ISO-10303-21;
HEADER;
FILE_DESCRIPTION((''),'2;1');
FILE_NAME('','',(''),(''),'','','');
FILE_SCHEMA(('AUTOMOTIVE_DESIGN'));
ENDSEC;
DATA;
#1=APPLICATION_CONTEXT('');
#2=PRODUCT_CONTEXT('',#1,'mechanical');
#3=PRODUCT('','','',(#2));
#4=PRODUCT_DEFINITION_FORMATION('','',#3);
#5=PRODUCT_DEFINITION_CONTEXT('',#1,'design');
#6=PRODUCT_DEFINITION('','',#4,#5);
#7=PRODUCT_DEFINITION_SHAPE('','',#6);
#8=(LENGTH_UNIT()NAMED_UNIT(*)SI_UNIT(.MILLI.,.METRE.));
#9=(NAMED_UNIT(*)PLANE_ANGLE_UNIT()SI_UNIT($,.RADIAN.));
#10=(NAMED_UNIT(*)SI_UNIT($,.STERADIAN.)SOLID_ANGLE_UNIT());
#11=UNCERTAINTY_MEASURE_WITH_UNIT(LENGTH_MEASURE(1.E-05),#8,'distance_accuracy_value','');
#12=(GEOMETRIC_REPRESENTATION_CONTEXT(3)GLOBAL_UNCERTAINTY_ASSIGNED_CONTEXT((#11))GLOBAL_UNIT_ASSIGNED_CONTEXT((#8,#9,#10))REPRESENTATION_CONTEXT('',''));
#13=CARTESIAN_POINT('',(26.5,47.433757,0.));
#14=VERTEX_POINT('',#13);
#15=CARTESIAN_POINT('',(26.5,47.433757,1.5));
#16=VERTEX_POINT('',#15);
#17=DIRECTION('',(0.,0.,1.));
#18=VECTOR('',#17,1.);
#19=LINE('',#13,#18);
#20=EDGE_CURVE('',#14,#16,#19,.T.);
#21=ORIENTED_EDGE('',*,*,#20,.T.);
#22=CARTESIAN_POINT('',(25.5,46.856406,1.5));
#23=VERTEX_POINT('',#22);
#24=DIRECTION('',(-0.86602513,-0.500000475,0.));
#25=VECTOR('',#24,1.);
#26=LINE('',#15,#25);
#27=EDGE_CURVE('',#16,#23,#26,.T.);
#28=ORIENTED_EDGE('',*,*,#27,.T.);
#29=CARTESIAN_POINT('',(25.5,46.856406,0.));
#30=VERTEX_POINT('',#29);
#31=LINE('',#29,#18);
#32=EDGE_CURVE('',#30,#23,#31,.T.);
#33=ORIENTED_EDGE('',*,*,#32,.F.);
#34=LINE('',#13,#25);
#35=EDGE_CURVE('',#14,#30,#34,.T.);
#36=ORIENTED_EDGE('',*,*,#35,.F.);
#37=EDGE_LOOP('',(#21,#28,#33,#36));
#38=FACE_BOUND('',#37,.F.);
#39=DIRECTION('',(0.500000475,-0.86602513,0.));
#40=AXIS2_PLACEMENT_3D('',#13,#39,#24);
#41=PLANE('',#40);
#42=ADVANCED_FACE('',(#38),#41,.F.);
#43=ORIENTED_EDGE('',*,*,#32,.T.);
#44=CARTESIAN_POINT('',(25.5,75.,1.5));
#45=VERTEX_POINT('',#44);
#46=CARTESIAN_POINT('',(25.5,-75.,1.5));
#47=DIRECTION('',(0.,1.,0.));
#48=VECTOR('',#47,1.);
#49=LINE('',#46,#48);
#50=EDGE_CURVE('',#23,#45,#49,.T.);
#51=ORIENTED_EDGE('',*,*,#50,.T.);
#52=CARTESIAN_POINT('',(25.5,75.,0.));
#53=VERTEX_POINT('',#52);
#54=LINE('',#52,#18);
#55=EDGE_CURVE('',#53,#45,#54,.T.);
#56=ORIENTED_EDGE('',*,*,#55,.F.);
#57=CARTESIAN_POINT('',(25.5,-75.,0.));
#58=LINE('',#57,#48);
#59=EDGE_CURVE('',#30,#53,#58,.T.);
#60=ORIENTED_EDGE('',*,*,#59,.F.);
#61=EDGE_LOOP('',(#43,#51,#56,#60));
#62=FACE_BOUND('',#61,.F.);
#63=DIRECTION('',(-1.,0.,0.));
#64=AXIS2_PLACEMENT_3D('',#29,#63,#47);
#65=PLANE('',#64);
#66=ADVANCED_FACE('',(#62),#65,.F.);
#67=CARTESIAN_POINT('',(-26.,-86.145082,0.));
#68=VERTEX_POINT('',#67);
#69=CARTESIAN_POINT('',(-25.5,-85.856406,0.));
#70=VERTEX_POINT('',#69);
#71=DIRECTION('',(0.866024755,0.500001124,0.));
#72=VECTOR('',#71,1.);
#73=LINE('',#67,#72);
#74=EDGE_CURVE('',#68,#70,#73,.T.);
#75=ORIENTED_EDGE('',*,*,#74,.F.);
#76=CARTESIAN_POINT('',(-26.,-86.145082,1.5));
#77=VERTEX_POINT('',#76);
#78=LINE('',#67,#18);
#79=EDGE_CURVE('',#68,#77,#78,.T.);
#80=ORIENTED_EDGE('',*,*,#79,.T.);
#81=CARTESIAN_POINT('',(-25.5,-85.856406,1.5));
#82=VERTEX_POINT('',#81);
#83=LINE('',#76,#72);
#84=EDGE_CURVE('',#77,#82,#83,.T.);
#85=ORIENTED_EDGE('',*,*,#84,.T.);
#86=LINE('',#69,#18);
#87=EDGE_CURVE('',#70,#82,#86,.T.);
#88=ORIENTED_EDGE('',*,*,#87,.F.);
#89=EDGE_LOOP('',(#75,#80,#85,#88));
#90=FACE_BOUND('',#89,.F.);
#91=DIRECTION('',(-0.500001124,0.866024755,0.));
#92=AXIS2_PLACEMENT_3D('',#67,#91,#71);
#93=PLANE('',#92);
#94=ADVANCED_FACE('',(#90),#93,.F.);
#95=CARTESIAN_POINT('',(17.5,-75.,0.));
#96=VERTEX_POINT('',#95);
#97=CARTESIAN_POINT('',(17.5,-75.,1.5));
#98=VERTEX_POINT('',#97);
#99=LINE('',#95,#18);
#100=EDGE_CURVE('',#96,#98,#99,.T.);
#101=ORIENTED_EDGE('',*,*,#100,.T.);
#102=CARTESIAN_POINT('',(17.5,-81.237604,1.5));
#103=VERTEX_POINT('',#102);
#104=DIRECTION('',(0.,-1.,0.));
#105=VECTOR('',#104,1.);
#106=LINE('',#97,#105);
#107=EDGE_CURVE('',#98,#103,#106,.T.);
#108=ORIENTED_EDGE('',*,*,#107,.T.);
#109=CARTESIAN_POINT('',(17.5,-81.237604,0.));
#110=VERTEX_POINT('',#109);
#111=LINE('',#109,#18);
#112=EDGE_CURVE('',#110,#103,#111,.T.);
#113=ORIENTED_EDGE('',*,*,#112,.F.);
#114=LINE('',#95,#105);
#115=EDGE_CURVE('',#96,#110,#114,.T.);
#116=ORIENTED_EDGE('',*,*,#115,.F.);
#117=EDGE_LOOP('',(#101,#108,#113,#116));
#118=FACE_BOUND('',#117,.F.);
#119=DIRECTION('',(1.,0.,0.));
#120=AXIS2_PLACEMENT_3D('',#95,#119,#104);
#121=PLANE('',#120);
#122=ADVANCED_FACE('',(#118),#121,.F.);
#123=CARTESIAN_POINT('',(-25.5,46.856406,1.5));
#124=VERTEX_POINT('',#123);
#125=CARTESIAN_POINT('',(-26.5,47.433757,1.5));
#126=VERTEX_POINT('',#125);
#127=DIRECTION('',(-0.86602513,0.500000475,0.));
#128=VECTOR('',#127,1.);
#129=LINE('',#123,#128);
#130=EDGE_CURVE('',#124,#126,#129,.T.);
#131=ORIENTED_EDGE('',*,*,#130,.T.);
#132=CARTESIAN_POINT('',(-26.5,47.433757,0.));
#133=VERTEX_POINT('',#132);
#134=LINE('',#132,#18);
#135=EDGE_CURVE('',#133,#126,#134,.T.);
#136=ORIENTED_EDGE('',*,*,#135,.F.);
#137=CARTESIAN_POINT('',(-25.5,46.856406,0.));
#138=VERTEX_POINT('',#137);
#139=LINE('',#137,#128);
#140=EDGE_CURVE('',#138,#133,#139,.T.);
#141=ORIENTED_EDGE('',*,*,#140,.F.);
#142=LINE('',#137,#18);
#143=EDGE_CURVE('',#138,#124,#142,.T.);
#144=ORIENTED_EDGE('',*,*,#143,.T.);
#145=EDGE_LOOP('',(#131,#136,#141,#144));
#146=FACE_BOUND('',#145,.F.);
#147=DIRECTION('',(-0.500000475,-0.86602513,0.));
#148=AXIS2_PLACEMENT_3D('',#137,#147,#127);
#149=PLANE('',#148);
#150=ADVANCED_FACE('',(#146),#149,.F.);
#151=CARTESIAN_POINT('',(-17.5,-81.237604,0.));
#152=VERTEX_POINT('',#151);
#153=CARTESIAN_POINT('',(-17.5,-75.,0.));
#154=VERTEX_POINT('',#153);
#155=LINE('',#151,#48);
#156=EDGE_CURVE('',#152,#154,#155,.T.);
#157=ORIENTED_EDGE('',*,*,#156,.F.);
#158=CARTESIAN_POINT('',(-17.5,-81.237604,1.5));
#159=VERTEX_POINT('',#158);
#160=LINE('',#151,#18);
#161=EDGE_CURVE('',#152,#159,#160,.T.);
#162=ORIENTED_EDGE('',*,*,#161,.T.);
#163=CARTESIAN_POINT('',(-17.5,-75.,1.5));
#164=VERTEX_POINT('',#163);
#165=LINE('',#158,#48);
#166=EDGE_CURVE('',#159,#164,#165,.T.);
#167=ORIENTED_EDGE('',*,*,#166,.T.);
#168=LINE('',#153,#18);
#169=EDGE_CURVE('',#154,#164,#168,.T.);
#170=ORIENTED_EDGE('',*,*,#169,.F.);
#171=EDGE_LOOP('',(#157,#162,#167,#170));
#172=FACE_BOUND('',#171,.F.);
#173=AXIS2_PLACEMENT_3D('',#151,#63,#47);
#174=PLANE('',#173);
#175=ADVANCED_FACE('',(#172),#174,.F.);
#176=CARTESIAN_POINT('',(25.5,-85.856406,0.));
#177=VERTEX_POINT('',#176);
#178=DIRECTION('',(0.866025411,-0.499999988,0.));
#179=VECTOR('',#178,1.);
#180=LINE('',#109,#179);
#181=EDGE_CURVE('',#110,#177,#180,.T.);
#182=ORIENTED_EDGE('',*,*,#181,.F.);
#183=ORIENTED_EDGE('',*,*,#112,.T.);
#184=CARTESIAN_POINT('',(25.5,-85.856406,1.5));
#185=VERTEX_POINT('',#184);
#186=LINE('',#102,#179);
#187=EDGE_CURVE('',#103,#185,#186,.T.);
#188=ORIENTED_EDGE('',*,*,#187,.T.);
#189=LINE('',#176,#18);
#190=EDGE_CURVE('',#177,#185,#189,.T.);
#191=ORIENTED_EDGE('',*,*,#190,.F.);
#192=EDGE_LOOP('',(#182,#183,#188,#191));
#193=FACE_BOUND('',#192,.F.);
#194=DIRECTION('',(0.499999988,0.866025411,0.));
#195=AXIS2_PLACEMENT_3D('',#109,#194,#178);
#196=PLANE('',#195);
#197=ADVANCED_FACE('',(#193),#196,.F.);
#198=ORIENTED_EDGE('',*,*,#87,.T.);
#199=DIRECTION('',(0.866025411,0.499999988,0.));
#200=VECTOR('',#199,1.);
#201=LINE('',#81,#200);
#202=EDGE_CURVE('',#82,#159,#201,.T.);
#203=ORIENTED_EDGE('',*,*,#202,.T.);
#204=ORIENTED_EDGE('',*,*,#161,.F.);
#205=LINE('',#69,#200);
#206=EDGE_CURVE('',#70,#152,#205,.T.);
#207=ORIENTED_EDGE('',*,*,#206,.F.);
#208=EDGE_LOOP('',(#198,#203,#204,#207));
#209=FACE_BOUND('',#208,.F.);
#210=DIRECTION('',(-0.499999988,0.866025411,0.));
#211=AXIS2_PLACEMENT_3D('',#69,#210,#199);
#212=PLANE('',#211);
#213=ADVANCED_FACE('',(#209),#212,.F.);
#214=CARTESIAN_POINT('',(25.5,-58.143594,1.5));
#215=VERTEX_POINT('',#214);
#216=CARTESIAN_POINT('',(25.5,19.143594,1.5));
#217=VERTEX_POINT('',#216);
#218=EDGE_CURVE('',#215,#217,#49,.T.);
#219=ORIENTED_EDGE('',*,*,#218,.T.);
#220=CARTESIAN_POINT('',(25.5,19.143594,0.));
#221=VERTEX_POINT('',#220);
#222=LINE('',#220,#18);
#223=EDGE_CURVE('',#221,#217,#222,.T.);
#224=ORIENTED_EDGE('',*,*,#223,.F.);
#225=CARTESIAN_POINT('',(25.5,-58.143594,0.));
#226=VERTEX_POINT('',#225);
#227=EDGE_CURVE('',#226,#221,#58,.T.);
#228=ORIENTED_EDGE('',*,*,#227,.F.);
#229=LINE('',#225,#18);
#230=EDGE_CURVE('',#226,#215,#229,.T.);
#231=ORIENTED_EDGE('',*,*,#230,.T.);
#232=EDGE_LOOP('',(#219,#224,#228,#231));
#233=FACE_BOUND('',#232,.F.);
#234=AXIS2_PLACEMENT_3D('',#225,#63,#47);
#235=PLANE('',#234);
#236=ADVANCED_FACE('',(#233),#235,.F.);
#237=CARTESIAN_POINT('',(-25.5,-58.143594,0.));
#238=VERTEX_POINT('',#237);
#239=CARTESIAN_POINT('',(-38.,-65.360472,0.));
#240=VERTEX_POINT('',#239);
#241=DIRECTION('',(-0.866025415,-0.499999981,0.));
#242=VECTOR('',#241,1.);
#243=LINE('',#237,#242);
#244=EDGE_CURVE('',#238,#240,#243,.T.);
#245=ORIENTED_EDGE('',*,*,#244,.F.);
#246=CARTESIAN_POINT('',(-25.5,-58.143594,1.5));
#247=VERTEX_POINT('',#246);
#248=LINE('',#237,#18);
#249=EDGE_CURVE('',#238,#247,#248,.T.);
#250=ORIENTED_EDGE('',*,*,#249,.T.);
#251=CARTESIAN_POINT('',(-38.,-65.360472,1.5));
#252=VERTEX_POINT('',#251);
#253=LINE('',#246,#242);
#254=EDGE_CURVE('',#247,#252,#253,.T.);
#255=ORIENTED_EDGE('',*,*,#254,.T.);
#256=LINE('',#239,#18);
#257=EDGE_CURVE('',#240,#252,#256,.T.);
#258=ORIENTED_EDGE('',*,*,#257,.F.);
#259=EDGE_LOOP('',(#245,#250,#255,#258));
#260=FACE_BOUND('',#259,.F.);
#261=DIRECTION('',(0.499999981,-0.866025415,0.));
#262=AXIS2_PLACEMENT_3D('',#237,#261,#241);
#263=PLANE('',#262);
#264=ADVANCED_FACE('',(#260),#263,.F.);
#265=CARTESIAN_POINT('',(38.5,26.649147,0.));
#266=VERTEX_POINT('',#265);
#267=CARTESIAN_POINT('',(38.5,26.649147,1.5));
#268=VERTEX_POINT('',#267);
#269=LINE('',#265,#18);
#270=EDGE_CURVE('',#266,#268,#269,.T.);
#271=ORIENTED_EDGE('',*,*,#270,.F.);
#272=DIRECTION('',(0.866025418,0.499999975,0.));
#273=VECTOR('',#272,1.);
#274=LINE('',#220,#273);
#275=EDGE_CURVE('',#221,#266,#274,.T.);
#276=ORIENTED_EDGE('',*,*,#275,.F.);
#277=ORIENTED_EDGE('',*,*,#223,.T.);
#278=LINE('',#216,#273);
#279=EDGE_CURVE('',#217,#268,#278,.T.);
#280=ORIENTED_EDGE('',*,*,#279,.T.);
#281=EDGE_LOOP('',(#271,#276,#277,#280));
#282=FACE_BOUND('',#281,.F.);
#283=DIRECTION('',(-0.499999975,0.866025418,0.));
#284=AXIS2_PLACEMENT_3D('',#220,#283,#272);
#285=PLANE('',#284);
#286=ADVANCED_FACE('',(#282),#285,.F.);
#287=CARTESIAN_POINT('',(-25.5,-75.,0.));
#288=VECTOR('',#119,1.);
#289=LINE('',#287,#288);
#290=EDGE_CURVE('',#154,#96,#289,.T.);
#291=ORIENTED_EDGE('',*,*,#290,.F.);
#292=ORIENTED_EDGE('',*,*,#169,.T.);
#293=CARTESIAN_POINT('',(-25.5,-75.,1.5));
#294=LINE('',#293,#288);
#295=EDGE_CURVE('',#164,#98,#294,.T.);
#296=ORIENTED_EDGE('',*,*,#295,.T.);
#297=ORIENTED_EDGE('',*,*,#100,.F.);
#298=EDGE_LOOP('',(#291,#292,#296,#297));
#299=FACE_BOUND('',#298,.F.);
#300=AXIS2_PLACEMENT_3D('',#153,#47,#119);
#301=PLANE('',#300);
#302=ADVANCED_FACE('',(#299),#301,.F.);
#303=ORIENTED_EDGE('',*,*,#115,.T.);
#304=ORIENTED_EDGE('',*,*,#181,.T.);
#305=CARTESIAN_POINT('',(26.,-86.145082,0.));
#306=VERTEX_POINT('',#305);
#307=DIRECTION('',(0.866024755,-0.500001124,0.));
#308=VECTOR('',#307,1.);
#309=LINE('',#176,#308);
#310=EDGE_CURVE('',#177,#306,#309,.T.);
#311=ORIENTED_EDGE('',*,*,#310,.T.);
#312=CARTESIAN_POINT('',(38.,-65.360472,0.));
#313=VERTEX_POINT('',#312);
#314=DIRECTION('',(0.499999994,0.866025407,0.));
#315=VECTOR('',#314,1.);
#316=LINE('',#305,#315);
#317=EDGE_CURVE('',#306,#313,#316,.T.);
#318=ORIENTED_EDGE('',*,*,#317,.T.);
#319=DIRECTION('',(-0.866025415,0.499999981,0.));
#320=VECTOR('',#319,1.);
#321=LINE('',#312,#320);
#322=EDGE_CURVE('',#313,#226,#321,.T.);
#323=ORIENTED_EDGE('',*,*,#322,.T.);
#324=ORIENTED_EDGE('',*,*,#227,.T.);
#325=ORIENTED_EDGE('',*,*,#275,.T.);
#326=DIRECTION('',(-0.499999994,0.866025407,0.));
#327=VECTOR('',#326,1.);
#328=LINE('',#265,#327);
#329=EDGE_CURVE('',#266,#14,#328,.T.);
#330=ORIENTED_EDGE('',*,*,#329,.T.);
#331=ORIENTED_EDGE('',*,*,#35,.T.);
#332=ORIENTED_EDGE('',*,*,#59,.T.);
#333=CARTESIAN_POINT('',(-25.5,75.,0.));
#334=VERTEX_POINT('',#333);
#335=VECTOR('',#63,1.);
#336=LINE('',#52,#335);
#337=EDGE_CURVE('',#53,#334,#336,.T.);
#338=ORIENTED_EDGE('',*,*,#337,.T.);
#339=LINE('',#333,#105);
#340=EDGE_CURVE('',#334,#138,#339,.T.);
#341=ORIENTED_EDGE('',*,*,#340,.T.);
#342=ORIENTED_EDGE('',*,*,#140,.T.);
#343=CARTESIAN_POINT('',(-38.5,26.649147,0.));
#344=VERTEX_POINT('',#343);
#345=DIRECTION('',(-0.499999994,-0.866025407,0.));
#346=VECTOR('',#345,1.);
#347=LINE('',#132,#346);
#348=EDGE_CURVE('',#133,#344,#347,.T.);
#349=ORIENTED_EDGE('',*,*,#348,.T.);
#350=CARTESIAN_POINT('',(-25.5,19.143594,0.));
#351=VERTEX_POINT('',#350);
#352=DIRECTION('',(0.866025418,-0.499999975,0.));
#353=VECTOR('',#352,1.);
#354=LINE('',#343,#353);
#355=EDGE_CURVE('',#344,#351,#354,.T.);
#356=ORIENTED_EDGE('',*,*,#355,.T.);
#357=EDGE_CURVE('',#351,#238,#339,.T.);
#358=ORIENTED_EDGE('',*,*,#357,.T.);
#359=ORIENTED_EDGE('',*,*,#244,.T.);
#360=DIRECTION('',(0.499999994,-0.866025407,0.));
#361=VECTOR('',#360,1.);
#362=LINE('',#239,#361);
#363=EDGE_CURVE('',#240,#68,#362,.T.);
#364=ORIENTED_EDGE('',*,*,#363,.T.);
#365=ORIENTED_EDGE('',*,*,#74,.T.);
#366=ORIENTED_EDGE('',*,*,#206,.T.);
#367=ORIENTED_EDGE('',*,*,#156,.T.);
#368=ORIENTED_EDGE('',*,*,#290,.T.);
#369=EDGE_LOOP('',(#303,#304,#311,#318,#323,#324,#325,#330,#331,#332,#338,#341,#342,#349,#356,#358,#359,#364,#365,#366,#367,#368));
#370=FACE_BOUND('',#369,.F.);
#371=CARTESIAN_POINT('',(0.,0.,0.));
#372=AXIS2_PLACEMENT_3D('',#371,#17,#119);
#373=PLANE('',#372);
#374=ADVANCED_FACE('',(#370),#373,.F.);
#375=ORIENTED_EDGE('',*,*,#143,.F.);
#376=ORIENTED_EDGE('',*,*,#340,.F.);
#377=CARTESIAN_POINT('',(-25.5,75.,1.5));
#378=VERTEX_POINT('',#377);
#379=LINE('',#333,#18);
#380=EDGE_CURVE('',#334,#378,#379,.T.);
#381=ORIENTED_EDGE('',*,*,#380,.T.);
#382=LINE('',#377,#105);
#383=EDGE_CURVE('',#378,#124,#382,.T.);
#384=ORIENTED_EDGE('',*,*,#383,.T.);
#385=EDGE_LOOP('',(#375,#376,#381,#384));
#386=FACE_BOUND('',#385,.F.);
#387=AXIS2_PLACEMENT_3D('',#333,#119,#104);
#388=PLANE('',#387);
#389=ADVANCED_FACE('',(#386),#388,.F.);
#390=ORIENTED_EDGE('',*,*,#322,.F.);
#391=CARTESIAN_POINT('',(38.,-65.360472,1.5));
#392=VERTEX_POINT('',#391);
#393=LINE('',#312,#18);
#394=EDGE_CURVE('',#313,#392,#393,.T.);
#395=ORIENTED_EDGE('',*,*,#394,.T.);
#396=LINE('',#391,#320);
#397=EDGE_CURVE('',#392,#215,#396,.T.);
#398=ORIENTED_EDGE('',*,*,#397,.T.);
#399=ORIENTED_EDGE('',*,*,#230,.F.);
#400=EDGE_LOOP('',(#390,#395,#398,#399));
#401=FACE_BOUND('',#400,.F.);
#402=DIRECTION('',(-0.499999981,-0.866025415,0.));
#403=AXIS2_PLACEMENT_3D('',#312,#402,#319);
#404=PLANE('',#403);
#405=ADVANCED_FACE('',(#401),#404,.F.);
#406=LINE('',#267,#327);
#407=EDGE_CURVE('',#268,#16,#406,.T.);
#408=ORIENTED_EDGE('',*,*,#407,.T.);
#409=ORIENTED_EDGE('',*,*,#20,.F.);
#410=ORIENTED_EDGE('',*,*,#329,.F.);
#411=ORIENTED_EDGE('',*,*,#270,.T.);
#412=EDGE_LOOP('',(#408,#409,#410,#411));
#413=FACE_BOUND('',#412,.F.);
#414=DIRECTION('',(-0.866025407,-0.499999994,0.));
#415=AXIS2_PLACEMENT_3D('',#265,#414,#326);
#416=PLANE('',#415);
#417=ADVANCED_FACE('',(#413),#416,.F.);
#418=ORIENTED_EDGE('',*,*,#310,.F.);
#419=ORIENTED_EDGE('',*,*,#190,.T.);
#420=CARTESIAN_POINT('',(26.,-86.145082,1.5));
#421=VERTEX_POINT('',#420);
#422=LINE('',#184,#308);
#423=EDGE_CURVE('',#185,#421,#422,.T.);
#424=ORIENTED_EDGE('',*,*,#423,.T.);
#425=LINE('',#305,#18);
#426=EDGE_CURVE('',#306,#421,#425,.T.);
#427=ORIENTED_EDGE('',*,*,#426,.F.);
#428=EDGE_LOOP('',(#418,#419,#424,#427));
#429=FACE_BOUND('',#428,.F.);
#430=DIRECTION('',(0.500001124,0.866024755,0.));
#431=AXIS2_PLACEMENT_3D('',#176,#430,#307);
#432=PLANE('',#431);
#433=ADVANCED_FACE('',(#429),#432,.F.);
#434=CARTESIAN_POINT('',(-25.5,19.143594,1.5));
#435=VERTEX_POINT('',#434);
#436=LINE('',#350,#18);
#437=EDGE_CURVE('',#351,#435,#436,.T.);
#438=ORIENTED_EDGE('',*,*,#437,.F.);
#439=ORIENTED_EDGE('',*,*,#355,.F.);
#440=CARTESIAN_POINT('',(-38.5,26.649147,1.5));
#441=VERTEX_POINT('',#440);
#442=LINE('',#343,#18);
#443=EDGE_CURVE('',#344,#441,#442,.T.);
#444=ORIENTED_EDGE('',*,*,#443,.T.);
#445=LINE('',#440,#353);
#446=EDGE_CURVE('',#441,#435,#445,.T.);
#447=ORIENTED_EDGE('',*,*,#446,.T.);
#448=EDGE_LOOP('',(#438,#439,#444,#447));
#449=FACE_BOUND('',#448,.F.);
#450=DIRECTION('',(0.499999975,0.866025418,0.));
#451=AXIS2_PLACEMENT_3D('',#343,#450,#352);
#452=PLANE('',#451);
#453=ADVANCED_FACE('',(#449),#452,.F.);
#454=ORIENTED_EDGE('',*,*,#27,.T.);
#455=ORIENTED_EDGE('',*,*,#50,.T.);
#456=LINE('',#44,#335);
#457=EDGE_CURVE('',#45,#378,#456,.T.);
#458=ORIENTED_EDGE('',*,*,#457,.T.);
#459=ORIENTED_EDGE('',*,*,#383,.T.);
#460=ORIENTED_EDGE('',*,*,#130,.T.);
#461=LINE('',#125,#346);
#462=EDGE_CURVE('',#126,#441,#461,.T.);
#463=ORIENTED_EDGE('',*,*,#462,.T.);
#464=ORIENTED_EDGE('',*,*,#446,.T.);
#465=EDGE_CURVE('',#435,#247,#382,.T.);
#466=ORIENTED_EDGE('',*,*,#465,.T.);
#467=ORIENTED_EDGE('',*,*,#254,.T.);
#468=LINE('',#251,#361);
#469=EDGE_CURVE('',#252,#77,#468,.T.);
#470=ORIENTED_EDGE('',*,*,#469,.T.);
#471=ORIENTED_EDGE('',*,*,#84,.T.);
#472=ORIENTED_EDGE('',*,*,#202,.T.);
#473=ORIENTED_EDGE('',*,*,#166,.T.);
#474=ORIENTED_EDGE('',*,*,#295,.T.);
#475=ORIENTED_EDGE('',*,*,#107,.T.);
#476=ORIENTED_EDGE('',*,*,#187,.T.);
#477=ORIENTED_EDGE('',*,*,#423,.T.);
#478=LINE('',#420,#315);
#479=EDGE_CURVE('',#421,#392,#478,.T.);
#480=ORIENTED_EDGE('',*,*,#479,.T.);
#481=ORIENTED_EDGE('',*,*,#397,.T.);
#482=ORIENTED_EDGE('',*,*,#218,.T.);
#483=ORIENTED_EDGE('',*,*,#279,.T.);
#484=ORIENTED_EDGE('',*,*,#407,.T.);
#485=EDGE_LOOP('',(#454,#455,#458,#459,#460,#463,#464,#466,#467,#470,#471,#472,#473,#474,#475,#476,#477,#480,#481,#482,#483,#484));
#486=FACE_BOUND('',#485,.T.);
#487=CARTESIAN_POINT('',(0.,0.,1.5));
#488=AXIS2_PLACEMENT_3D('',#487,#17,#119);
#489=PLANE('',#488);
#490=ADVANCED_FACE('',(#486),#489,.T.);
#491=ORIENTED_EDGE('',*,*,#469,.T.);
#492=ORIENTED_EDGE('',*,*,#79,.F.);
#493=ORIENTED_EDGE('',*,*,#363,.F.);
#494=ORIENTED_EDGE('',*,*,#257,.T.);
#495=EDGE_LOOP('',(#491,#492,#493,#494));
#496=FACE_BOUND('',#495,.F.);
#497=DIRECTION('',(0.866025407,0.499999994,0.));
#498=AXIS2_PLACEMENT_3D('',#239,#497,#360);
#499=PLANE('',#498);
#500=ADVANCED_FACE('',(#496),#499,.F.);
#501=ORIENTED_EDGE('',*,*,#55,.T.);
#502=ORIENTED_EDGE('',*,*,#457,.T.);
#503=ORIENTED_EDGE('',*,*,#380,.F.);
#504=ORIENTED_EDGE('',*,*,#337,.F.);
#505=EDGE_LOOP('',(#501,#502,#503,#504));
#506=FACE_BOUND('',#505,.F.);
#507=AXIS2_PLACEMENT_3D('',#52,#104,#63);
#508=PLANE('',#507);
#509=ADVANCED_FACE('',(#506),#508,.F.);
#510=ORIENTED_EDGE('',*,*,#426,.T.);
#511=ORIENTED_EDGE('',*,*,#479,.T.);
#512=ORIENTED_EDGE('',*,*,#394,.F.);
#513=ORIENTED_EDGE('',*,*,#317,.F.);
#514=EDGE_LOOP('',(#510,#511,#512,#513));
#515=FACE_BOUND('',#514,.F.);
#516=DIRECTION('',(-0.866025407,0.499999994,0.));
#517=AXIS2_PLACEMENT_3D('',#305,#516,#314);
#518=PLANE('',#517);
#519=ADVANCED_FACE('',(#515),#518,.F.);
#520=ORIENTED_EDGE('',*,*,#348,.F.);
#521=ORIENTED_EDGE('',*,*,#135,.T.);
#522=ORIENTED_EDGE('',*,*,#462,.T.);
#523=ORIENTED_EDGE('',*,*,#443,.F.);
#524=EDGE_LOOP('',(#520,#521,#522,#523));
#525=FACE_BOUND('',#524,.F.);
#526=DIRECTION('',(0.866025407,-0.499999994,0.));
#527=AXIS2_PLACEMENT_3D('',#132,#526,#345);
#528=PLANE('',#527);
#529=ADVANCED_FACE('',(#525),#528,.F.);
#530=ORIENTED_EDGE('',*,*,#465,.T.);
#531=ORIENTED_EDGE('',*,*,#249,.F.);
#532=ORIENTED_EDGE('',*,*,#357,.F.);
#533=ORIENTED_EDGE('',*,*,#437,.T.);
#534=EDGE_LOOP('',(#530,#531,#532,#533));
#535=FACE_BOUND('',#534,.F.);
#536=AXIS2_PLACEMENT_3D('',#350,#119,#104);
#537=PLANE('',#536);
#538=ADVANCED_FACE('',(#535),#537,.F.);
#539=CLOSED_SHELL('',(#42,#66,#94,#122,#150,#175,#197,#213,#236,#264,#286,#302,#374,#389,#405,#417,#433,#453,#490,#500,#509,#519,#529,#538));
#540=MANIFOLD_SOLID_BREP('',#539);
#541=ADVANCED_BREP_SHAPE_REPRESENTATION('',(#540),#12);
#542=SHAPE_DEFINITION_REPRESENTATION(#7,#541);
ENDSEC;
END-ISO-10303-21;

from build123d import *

# Parameters (mm, degrees)
F2_DEPTH = 1.5


with BuildPart() as f2:
    # F1 (on Top) → F2 (new body)
    with BuildSketch(Plane.XY):
        Polygon((17.5, -75), (25.5, -75), (25.5, -58.143594), (25.5, 19.143594), (25.5, 46.856406), (25.5, 75), (-25.5, 75), (-25.5, 46.856406), (-25.5, 19.143594), (-25.5, -58.143594), (-25.5, -75), (-17.5, -75), align=None)
        Polygon((-38.5, 26.649147), (-25.5, 19.143594), (-25.5, 46.856406), (-26.5, 47.433757), align=None)
        Polygon((25.5, 46.856406), (25.5, 19.143594), (38.5, 26.649147), (26.5, 47.433757), align=None)
        Polygon((25.5, -58.143594), (25.5, -75), (17.5, -75), (17.5, -81.237604), (25.5, -85.856406), (26, -86.145082), (38, -65.360472), align=None)
        Polygon((-17.5, -81.237604), (-17.5, -75), (-25.5, -75), (-25.5, -58.143594), (-38, -65.360472), (-26, -86.145082), (-25.5, -85.856406), align=None)
    extrude(amount=F2_DEPTH)


solid = f2.part
